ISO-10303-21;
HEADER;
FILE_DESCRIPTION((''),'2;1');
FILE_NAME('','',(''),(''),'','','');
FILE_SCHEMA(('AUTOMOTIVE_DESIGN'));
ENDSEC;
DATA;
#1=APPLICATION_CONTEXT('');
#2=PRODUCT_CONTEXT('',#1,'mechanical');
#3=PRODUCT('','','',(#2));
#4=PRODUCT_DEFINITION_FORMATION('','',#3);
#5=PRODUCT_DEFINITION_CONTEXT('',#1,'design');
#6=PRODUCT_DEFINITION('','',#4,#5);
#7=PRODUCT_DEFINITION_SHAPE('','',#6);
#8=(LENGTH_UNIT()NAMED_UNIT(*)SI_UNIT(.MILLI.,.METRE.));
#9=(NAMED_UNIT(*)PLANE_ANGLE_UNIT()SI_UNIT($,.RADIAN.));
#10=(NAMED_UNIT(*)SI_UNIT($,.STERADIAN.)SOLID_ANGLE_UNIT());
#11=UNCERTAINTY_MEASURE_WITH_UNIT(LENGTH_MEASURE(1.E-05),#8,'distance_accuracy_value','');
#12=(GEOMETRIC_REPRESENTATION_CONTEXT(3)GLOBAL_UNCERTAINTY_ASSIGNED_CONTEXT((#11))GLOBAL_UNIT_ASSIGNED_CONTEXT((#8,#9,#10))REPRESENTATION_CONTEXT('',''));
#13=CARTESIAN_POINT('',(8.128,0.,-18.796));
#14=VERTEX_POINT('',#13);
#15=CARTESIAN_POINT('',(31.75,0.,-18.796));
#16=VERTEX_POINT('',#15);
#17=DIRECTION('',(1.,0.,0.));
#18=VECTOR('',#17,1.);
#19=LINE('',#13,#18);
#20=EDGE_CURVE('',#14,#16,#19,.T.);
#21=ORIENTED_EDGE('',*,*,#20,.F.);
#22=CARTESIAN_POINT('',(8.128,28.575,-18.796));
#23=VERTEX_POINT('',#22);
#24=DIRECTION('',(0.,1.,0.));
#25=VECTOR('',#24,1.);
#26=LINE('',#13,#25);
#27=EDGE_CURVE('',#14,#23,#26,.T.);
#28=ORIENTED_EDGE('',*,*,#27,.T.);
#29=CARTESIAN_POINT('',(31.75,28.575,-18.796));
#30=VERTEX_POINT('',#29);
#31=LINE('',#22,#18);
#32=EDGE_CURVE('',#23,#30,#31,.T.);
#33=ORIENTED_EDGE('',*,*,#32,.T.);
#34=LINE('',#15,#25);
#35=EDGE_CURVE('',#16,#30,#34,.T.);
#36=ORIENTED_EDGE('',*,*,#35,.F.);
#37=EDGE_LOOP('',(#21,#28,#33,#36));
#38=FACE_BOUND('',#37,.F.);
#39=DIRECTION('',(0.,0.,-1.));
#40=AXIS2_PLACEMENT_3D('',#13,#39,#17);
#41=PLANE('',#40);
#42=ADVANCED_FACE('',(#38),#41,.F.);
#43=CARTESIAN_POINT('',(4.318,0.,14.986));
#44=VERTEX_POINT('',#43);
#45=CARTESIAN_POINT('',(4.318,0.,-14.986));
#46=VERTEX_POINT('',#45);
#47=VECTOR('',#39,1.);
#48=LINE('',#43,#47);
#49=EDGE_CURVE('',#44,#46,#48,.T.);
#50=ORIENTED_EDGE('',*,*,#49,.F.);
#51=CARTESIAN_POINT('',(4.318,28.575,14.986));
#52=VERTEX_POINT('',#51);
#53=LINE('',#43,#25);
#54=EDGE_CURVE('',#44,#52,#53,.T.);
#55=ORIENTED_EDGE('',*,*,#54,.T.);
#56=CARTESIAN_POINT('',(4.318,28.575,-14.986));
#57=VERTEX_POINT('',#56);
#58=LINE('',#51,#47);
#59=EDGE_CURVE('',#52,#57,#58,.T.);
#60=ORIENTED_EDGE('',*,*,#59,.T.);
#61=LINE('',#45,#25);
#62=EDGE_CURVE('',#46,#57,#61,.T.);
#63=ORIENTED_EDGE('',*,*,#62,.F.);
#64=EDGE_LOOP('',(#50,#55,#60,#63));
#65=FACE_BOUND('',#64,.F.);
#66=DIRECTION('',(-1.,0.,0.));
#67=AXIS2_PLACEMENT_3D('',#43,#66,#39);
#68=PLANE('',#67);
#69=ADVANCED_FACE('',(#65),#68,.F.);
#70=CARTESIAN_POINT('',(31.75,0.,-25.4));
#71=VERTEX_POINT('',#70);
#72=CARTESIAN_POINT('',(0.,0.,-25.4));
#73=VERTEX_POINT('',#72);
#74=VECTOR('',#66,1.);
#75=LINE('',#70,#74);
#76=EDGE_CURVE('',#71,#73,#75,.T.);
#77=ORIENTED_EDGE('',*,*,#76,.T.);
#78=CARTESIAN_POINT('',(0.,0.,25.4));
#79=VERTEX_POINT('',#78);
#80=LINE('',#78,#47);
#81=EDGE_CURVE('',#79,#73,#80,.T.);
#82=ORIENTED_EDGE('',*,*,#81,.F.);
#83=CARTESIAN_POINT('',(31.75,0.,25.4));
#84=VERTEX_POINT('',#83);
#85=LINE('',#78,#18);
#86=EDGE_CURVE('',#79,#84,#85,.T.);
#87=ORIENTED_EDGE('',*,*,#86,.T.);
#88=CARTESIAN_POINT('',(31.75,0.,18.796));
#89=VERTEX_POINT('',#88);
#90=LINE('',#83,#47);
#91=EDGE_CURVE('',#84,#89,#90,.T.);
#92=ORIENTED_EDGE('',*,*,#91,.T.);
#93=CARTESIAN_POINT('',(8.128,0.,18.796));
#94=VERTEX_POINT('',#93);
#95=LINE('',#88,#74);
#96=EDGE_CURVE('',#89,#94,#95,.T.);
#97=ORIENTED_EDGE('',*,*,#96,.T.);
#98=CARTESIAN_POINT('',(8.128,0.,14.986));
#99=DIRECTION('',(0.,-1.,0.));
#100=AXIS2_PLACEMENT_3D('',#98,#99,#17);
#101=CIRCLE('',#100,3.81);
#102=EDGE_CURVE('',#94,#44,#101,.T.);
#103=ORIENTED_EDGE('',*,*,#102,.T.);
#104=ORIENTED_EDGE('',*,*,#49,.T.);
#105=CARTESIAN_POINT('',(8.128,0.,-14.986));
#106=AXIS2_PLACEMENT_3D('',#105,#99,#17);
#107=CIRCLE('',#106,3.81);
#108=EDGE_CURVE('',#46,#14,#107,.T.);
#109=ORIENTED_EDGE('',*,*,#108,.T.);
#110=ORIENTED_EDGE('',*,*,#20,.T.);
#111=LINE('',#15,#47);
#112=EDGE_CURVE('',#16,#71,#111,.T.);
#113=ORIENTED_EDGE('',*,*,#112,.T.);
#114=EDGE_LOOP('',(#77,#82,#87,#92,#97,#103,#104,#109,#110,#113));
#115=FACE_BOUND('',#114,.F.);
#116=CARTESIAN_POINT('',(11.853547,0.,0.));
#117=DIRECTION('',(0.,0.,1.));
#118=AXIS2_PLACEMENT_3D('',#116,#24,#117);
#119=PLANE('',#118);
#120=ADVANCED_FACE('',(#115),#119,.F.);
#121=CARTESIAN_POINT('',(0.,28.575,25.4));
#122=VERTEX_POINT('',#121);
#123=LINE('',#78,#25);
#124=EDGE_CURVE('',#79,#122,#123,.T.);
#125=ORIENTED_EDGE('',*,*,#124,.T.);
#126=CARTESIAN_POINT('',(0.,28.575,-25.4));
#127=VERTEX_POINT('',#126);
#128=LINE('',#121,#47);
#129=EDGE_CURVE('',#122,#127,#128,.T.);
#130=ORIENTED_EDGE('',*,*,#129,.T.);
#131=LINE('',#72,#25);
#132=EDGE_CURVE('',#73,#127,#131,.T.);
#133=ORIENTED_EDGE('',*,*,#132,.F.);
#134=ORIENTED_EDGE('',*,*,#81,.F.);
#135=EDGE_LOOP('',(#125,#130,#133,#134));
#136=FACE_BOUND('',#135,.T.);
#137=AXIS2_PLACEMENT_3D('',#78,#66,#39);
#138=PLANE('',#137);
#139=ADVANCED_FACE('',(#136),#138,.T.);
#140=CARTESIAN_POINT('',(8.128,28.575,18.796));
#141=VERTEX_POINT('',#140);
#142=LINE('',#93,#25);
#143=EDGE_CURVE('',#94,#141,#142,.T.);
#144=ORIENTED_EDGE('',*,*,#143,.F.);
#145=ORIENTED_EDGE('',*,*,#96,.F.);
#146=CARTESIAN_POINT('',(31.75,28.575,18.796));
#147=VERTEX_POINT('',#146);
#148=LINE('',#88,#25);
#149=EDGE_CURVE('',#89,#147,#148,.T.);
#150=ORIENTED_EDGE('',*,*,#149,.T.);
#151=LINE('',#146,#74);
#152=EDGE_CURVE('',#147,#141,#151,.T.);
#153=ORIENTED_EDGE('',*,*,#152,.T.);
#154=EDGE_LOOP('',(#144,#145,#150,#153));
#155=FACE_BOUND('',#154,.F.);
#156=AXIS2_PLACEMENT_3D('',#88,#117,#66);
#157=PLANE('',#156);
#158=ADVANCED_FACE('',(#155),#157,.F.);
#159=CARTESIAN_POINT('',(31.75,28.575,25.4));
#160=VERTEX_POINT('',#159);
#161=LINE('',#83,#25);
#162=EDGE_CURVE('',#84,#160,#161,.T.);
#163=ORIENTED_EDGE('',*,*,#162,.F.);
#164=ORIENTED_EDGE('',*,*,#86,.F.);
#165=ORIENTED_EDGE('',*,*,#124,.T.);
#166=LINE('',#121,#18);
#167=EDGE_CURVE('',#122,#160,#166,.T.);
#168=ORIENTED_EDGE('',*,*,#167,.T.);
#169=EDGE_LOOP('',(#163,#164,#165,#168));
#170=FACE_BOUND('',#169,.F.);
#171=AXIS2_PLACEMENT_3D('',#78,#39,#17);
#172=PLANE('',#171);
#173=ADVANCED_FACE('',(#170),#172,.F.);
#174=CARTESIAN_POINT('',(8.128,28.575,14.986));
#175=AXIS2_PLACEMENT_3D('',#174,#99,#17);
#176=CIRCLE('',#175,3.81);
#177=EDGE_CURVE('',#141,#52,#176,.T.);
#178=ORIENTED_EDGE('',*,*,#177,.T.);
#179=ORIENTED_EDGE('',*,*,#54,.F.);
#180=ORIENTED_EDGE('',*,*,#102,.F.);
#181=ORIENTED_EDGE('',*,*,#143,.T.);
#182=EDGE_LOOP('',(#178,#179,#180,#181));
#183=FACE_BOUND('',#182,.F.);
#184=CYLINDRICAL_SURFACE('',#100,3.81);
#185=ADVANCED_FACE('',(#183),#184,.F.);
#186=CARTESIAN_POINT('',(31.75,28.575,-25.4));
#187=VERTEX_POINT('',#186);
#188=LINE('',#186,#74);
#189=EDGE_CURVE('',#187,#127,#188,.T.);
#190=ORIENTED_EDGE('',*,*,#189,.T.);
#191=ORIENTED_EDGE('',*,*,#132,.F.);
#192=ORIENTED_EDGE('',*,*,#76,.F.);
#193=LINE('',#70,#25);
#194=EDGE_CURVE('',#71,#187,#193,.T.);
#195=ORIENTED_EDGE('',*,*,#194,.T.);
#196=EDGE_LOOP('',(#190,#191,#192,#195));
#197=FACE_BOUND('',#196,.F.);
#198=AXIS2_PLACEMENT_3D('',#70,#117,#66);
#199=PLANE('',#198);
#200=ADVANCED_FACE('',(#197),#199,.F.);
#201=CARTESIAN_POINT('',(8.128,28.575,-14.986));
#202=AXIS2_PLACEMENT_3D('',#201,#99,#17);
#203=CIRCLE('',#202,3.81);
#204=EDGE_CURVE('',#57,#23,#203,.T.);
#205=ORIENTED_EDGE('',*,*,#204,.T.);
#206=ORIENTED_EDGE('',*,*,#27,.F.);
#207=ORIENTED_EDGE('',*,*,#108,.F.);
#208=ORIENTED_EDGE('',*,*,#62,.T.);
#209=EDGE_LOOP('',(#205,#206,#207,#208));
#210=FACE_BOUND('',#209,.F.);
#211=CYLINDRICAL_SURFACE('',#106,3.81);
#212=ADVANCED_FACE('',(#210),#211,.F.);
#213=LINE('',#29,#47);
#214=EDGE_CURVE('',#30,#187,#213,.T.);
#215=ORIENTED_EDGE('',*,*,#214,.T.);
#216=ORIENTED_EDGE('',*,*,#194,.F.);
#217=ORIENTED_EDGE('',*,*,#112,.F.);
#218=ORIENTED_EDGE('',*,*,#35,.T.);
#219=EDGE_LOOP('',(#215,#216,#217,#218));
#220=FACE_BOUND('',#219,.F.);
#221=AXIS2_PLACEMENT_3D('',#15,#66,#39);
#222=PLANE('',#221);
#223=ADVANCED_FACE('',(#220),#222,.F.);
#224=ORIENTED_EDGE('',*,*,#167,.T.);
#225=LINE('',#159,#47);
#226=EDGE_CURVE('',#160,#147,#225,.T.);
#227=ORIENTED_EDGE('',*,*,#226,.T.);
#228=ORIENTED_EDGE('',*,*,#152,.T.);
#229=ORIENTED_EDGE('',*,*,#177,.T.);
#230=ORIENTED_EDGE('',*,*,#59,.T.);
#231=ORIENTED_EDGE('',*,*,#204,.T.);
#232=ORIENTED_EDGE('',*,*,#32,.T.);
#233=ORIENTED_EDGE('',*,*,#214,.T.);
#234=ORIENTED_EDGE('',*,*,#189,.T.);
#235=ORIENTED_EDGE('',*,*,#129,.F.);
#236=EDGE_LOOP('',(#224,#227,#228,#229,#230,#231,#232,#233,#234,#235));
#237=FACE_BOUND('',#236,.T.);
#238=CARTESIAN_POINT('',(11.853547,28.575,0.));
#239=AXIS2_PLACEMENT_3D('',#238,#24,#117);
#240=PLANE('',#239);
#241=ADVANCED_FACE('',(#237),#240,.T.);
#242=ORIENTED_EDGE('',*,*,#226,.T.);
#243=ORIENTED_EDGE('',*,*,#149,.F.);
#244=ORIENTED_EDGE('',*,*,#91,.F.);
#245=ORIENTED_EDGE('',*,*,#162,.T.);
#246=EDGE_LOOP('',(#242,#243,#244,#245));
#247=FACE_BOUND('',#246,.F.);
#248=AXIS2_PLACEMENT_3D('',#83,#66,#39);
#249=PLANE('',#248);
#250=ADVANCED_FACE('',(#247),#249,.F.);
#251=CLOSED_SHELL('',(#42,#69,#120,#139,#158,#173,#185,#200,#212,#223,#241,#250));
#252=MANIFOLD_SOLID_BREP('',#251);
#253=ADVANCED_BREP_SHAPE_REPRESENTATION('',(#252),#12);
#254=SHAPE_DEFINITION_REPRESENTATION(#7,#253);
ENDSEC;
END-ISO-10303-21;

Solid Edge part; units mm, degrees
sketch "Sketch1" plane through (0, 0, 0) normal (0, -1, 0) x (1, 0, 0)
  line L0 (0, 25.4) -> (31.75, 25.4)
  line L1 (31.75, 25.4) -> (31.75, 18.796)
  line L2 (31.75, 18.796) -> (8.128, 18.796)
  arc A0 (8.128, 18.796) -> (4.318, 14.986) centre (8.128, 14.986) ccw
  line L3 (4.318, 14.986) -> (4.318, -14.986)
  arc A1 (4.318, -14.986) -> (8.128, -18.796) centre (8.128, -14.986) ccw
  line L4 (8.128, -18.796) -> (31.75, -18.796)
  line L5 (31.75, -18.796) -> (31.75, -25.4)
  line L6 (31.75, -25.4) -> (0, -25.4)
  line L7 (0, 25.4) -> (0, -25.4)
  dimension "D1" = 31.75
  dimension "D2" = 31.75
extrude "Protrusion1" add sketch "Sketch1" against normal blind 28.575
